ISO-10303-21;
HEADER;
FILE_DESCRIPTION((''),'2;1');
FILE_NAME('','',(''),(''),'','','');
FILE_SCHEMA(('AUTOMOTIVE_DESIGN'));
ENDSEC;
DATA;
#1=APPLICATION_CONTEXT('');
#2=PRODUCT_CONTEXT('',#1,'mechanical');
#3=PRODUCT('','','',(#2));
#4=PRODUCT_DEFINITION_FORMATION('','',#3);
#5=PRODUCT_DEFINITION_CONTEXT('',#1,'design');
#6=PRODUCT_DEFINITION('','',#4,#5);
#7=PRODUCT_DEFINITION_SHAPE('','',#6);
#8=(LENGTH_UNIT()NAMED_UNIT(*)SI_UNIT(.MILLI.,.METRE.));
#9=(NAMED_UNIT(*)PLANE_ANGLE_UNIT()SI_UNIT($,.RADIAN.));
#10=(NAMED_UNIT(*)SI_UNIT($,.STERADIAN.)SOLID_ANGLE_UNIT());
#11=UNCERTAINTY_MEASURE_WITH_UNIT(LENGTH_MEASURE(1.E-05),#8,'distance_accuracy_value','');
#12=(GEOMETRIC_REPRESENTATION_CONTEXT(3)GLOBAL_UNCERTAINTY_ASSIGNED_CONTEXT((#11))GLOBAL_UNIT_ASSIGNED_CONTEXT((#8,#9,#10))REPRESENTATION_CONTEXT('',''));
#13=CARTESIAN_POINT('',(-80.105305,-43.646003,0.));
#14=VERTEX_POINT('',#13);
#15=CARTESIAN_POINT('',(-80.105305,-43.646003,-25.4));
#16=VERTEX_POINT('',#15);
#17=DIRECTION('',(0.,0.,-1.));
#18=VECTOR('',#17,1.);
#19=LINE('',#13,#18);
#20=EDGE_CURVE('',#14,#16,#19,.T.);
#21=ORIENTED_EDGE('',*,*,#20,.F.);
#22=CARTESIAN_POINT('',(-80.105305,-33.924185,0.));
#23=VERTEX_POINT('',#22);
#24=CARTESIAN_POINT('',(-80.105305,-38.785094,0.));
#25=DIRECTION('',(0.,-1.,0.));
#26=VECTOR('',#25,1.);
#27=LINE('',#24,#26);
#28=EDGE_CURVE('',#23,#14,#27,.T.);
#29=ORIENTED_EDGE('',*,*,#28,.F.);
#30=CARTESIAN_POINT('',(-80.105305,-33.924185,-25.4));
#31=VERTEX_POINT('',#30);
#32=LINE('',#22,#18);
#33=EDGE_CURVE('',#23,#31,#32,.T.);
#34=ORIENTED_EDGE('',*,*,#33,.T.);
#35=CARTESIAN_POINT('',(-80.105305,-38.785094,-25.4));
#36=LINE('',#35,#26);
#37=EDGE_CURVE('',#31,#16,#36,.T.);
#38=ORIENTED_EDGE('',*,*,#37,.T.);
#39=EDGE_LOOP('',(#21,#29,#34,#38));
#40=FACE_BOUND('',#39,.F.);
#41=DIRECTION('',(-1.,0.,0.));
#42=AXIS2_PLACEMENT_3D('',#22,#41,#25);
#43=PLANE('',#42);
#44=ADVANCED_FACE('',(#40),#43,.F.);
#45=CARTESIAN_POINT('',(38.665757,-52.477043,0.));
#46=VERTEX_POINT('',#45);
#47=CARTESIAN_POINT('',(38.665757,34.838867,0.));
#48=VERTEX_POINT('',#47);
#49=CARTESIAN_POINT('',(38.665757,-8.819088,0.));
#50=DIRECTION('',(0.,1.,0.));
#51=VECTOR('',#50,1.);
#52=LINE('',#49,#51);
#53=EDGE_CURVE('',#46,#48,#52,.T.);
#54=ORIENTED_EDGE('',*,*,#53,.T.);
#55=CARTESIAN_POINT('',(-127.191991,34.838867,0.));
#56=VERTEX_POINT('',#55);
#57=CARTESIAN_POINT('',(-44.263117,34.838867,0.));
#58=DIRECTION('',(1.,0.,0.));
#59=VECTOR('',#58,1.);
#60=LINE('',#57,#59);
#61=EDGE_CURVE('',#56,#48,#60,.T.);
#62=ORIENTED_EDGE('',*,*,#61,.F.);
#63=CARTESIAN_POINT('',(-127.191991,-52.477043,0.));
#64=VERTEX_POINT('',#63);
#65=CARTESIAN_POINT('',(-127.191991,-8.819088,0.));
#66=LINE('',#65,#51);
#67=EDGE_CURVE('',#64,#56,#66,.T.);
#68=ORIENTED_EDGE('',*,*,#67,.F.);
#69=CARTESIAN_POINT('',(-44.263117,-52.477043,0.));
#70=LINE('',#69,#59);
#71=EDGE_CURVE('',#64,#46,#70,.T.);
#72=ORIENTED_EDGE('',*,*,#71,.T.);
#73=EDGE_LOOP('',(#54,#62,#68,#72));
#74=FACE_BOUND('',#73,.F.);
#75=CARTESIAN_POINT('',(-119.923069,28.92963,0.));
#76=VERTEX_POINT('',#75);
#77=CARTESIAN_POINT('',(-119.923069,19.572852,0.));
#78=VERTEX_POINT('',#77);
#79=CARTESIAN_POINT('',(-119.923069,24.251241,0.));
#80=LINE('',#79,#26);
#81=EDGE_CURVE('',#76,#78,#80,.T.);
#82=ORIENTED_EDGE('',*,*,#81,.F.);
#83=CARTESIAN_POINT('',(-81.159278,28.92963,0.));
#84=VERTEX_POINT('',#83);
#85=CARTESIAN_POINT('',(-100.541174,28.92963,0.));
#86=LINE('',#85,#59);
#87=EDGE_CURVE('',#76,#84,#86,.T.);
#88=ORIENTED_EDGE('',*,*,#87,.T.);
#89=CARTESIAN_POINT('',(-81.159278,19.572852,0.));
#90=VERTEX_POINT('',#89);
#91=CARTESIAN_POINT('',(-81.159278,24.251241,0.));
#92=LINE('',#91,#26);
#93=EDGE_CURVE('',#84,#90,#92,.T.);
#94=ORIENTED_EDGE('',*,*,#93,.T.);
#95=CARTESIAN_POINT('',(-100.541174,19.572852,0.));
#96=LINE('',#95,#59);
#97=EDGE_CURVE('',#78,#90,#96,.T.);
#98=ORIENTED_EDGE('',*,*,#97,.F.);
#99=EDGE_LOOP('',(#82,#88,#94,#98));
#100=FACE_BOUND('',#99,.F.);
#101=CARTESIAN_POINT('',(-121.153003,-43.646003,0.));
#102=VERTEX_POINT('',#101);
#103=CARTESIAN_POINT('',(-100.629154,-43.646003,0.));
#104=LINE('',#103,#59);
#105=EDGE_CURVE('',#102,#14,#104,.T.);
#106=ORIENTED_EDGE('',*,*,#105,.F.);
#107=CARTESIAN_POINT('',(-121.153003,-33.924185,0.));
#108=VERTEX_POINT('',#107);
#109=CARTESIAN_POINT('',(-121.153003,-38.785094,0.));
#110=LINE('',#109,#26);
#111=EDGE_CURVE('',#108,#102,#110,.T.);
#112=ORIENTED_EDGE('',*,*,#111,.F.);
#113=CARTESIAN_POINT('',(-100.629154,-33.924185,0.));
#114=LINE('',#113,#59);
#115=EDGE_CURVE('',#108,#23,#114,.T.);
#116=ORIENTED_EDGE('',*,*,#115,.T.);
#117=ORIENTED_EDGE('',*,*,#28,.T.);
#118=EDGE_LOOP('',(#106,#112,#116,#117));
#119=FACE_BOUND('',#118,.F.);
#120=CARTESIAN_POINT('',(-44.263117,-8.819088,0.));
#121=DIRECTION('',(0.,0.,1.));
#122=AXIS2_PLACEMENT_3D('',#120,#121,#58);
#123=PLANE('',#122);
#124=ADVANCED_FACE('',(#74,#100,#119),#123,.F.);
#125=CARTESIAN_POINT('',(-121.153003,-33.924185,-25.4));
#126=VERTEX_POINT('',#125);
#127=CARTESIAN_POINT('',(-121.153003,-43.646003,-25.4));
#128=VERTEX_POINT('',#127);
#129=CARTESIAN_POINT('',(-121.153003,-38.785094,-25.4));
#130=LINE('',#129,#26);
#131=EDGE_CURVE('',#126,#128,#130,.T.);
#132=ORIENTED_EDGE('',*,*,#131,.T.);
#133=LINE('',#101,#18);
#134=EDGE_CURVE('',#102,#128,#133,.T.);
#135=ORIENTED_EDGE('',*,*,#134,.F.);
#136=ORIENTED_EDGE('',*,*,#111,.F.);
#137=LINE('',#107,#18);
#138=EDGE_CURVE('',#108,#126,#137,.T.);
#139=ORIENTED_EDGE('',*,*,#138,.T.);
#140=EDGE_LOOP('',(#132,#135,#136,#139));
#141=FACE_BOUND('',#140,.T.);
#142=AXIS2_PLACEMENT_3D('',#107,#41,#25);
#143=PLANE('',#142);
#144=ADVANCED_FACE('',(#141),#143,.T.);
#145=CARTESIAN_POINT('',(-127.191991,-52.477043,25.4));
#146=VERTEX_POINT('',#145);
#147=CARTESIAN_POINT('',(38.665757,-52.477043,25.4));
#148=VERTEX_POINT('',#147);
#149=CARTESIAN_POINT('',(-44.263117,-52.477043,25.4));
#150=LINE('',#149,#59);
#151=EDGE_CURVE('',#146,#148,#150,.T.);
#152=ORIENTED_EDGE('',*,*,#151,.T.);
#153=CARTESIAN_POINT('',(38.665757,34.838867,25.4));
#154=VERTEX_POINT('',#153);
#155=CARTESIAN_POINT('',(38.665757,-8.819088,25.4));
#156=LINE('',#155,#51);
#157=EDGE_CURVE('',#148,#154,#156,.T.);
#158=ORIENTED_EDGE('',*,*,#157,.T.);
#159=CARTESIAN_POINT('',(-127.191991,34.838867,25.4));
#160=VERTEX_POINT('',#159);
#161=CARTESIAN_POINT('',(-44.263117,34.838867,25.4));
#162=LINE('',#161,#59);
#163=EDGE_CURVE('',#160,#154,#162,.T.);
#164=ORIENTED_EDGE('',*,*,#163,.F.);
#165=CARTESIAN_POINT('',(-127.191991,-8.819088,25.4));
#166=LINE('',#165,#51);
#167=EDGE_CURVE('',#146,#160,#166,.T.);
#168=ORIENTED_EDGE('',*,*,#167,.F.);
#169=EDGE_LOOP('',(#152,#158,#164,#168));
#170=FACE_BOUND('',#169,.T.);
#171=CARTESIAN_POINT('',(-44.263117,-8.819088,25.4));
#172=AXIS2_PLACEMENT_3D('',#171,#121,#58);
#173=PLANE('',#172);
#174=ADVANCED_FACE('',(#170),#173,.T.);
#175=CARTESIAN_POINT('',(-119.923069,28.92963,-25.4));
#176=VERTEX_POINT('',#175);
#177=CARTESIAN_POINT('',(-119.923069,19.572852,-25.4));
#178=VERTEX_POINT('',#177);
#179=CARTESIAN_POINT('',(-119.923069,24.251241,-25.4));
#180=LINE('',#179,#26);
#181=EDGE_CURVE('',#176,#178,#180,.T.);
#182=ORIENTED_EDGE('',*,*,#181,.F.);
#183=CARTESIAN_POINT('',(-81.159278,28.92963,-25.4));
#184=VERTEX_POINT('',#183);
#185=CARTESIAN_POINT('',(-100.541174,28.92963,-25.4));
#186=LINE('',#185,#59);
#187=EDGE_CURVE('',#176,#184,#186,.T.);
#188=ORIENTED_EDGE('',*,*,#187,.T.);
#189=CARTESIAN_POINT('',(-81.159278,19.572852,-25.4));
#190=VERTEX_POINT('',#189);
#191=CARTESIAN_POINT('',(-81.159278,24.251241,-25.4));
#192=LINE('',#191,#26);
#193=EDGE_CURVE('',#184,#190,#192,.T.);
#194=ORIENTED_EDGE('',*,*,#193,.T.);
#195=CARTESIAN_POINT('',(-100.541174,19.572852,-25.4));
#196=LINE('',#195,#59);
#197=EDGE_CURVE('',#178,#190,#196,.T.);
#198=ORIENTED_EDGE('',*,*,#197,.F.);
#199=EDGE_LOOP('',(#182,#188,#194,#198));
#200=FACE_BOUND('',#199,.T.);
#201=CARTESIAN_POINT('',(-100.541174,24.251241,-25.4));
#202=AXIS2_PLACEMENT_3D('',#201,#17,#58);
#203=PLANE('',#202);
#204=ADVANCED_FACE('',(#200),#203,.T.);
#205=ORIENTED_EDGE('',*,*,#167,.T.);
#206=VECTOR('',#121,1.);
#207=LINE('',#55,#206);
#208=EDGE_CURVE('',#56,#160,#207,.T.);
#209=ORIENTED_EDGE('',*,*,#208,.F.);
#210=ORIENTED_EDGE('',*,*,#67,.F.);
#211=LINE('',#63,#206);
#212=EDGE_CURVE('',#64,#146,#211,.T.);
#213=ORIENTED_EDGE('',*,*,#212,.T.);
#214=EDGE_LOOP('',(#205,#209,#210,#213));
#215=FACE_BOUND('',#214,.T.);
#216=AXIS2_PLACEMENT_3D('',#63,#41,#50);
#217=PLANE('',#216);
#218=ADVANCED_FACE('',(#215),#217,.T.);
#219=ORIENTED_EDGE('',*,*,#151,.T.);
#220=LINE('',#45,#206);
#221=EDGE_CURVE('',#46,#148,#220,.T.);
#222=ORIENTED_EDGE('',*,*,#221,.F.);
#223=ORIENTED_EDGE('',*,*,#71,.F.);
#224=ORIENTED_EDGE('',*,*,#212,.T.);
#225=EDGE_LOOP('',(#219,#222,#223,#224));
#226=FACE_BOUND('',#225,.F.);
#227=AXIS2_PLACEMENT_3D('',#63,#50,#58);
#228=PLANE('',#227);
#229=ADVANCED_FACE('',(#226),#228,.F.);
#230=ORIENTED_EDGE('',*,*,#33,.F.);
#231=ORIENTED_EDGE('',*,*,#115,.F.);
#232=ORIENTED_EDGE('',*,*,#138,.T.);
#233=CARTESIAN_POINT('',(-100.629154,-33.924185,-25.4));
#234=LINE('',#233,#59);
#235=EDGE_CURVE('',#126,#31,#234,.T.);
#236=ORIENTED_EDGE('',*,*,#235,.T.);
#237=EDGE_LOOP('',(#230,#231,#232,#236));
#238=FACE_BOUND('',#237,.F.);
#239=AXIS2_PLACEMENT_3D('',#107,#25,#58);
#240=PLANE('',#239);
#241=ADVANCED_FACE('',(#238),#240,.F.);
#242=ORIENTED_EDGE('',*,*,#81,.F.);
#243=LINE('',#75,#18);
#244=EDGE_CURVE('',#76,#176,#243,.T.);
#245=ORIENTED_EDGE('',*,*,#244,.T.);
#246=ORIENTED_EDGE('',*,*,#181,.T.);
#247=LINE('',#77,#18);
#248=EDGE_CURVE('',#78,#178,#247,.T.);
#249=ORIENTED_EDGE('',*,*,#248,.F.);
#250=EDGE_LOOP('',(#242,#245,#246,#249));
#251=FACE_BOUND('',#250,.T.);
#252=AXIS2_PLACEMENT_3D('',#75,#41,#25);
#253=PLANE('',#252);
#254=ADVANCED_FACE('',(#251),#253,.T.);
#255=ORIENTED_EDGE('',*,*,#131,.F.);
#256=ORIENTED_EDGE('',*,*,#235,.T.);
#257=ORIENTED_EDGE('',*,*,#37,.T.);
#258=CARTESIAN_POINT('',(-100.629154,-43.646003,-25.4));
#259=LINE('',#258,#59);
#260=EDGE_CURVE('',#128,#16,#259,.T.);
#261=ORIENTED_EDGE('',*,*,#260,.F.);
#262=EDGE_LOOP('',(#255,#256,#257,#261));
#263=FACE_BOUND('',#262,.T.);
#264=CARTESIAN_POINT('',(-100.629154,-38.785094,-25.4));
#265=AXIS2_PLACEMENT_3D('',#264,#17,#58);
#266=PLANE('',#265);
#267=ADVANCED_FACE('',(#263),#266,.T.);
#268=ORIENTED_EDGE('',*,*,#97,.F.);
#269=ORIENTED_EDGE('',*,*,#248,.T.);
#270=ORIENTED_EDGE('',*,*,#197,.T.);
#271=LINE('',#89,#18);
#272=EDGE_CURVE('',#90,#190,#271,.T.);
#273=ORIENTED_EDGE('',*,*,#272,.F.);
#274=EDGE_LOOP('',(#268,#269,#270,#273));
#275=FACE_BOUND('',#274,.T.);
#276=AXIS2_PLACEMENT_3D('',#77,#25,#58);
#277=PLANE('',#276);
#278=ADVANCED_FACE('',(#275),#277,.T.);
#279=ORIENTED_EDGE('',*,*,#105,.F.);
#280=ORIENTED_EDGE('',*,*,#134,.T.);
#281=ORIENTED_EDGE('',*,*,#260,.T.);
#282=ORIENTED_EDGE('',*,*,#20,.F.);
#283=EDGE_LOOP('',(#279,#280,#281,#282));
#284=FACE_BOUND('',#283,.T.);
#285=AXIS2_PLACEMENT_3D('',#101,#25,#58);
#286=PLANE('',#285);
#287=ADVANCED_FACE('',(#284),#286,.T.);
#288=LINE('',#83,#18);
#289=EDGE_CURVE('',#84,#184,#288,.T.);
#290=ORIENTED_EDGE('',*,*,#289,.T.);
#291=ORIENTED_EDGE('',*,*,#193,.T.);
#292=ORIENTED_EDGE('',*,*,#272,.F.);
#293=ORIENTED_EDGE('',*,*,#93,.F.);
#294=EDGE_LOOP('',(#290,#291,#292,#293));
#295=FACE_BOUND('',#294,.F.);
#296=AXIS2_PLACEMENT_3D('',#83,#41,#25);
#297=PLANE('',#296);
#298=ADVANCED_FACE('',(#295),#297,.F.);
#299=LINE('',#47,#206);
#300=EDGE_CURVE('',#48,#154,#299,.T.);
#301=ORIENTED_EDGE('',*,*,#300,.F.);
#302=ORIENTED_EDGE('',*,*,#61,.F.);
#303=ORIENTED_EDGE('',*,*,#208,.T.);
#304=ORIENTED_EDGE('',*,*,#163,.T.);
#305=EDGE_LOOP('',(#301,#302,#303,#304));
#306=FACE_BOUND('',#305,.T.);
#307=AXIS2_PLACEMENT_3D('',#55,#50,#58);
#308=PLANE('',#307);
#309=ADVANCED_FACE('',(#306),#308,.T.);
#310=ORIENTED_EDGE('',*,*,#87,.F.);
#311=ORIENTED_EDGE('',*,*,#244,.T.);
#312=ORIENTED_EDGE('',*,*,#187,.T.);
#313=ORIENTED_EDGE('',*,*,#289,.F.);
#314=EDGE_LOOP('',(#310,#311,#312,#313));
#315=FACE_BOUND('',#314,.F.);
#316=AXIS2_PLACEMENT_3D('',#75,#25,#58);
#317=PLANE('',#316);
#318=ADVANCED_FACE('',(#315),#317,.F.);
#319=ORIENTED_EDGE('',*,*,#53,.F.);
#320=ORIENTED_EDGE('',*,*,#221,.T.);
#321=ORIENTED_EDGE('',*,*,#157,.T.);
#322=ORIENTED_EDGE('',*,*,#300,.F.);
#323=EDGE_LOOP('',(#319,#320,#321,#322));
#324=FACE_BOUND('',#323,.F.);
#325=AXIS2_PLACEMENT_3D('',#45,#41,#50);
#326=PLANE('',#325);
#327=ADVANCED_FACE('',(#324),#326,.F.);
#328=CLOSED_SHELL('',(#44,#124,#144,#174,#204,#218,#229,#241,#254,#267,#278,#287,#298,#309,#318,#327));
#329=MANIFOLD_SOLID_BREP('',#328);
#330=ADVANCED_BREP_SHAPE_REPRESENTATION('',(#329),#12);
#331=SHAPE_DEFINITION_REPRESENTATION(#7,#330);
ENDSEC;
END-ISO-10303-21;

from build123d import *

# Parameters (mm, degrees)
F0_W     = 165.857748
F0_H     = 87.315909
F1_DEPTH = 25.4
F2_W     = 41.047699
F2_H     = 9.721819
F3_DEPTH = 25.4
F4_W     = 38.763791
F4_H     = 9.356778
F5_DEPTH = 25.4


with BuildPart() as f1:
    # F0 (on Top) → F1 (new body)
    with BuildSketch(Plane.XY):
        with Locations((-44.263117, -8.819088)):
            Rectangle(F0_W, F0_H)
    extrude(amount=F1_DEPTH)

    # F2 (on face) → F3 (join)
    with BuildSketch(Plane(origin=(0, 0, 0), x_dir=(1, 0, 0), z_dir=(0, 0, -1))):
        with Locations((-100.629154, 38.785094)):
            Rectangle(F2_W, F2_H)
    extrude(amount=F3_DEPTH)

    # F4 (on face) → F5 (join)
    with BuildSketch(Plane(origin=(0, 0, 0), x_dir=(1, 0, 0), z_dir=(0, 0, -1))):
        with Locations((-100.541174, -24.251241)):
            Rectangle(F4_W, F4_H)
    extrude(amount=F5_DEPTH)


solid = f1.part
